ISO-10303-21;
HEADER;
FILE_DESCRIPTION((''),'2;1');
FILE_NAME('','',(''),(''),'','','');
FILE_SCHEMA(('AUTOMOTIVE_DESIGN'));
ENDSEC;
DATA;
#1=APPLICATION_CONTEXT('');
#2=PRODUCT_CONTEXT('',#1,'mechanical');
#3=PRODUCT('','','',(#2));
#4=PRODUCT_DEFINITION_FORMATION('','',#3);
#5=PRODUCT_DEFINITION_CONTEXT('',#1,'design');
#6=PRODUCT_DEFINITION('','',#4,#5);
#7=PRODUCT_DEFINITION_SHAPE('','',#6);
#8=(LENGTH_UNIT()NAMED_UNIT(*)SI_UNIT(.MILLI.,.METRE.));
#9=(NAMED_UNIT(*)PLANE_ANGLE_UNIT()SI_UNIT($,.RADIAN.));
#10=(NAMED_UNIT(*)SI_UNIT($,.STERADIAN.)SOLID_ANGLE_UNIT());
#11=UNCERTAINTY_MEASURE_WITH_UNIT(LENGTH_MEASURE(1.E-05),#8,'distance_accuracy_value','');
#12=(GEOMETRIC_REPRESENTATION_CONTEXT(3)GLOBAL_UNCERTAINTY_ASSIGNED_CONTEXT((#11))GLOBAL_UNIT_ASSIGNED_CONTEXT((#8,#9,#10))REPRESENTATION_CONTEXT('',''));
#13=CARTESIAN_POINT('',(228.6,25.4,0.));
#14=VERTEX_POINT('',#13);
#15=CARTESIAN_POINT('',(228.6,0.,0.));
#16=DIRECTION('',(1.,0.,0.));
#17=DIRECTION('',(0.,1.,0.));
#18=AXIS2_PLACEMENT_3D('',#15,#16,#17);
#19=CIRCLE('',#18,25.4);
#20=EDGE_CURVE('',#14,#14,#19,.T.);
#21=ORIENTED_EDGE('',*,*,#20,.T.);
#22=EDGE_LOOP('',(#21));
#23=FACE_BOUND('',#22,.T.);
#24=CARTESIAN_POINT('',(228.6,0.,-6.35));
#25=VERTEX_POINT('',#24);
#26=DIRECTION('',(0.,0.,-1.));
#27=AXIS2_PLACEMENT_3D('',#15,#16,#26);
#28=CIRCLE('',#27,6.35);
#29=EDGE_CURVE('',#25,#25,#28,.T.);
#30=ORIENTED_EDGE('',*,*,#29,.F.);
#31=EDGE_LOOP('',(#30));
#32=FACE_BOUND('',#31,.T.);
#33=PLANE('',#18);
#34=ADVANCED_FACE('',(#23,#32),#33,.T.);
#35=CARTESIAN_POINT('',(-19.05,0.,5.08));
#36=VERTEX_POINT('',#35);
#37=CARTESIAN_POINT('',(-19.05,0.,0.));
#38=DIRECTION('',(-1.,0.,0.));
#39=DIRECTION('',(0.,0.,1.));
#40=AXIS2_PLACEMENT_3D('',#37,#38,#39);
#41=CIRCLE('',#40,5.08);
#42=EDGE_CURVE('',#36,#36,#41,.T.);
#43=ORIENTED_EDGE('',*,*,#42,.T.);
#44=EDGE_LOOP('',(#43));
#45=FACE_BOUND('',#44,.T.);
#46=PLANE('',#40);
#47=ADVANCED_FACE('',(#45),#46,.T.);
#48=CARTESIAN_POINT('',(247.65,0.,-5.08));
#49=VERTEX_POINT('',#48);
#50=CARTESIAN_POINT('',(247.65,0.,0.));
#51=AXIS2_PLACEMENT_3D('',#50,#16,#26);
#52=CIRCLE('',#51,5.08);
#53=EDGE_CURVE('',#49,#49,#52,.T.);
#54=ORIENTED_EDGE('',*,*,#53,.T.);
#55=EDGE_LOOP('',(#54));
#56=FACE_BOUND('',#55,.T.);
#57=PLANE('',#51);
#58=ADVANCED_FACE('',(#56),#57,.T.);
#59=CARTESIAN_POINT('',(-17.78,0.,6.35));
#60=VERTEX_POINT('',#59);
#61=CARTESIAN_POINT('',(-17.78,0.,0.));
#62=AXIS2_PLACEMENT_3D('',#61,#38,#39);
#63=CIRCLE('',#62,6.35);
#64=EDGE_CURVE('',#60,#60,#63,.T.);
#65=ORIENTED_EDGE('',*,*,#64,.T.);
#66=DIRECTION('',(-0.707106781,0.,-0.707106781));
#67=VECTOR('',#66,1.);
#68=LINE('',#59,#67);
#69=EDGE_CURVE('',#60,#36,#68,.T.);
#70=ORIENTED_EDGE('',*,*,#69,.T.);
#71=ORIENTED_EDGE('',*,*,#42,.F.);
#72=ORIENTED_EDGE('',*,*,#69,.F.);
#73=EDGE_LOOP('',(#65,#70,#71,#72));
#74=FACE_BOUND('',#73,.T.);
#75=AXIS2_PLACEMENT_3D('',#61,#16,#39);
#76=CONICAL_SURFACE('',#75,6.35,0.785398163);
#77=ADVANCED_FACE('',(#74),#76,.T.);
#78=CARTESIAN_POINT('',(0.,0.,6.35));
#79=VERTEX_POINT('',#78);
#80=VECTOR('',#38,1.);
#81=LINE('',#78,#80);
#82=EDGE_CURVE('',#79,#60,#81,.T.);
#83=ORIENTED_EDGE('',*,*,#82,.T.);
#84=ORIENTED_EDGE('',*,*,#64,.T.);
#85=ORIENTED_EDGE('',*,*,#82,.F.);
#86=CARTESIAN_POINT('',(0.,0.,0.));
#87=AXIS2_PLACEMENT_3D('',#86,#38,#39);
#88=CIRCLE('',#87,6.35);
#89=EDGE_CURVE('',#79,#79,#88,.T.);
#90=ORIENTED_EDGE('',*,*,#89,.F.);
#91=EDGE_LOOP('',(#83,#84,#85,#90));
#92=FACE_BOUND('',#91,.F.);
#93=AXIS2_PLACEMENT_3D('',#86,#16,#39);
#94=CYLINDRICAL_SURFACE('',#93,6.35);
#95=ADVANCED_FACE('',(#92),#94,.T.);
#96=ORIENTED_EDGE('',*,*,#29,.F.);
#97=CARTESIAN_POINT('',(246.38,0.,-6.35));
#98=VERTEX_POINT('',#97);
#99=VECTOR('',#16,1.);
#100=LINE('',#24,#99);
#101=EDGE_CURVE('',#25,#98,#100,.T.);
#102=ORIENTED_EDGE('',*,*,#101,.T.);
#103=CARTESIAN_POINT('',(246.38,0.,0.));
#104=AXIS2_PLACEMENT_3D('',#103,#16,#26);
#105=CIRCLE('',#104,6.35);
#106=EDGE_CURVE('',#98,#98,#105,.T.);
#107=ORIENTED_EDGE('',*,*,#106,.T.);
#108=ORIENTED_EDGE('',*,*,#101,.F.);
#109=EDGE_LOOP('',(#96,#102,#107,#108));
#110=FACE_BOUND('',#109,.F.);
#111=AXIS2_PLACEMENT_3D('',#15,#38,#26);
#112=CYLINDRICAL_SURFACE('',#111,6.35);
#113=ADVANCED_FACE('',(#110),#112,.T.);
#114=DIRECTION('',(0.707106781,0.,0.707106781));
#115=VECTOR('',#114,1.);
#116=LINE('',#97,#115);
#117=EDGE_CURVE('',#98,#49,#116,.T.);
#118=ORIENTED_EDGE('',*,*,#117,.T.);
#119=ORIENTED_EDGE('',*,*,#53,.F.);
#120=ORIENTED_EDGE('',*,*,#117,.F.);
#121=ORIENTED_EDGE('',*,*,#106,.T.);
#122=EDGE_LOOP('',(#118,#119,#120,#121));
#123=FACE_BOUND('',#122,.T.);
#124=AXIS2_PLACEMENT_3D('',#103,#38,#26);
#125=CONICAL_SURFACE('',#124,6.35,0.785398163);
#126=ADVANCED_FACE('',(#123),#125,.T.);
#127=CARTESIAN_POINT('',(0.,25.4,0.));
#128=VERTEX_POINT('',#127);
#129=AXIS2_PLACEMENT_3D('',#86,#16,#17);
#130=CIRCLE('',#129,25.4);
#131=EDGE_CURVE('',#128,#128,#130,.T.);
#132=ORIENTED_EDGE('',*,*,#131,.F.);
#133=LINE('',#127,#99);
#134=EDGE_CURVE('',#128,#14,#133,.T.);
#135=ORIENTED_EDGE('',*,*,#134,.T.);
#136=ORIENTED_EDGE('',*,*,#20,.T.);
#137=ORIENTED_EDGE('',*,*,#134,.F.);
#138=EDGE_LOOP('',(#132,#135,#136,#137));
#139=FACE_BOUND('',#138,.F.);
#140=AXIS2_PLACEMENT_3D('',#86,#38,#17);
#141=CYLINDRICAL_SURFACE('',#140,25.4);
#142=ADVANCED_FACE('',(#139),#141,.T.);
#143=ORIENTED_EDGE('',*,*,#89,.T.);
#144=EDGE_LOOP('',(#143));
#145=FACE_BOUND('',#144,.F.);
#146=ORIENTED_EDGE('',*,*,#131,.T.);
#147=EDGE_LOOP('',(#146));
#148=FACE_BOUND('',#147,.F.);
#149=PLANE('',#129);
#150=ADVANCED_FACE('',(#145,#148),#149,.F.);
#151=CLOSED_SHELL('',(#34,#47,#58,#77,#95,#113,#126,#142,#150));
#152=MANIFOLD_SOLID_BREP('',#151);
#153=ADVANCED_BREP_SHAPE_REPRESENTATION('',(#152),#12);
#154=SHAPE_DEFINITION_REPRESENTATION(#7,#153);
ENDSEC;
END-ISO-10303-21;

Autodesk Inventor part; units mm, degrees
ref_plane "YZ Plane" through (0, 0, 0) normal (1, 0, 0) x (0, 1, 0)
ref_plane "XZ Plane" through (0, 0, 0) normal (0, 1, 0) x (-1, 0, 0)
ref_plane "XY Plane" through (0, 0, 0) normal (0, 0, 1) x (1, 0, 0)
sketch "Sketch1" plane through (0, 0, 0) normal (1, 0, 0) x (0, 1, 0)
  circle A0 centre (0, 0) radius 25.4
  dimension "d0" = 50.8
extrude "Extrusion1" add sketch "Sketch1" along normal blind 228.6
sketch "Sketch2" plane through (228.6, 0, 0) normal (1, 0, 0) x (0, 0, -1)
  circle A0 centre (0, 0) radius 6.35
  dimension "d3" = 12.7
extrude "Extrusion2" add sketch "Sketch2" along normal blind 19.05
chamfer "Chamfer1" distance 1.27 angle 45 1 edges at (247.65, 0, 6.35)
sketch "Sketch3" plane through (0, 0, 0) normal (-1, 0, 0) x (0, 0, 1)
  circle A0 centre (0, 0) radius 6.35 projected
  circle A1 centre (0, 0) radius 6.35
extrude "Extrusion3" add sketch "Sketch3" along normal blind 19.05
chamfer "Chamfer2" distance 1.27 angle 45 1 edges at (-19.05, 0, -6.35)
properties part number "Roller Pin"
